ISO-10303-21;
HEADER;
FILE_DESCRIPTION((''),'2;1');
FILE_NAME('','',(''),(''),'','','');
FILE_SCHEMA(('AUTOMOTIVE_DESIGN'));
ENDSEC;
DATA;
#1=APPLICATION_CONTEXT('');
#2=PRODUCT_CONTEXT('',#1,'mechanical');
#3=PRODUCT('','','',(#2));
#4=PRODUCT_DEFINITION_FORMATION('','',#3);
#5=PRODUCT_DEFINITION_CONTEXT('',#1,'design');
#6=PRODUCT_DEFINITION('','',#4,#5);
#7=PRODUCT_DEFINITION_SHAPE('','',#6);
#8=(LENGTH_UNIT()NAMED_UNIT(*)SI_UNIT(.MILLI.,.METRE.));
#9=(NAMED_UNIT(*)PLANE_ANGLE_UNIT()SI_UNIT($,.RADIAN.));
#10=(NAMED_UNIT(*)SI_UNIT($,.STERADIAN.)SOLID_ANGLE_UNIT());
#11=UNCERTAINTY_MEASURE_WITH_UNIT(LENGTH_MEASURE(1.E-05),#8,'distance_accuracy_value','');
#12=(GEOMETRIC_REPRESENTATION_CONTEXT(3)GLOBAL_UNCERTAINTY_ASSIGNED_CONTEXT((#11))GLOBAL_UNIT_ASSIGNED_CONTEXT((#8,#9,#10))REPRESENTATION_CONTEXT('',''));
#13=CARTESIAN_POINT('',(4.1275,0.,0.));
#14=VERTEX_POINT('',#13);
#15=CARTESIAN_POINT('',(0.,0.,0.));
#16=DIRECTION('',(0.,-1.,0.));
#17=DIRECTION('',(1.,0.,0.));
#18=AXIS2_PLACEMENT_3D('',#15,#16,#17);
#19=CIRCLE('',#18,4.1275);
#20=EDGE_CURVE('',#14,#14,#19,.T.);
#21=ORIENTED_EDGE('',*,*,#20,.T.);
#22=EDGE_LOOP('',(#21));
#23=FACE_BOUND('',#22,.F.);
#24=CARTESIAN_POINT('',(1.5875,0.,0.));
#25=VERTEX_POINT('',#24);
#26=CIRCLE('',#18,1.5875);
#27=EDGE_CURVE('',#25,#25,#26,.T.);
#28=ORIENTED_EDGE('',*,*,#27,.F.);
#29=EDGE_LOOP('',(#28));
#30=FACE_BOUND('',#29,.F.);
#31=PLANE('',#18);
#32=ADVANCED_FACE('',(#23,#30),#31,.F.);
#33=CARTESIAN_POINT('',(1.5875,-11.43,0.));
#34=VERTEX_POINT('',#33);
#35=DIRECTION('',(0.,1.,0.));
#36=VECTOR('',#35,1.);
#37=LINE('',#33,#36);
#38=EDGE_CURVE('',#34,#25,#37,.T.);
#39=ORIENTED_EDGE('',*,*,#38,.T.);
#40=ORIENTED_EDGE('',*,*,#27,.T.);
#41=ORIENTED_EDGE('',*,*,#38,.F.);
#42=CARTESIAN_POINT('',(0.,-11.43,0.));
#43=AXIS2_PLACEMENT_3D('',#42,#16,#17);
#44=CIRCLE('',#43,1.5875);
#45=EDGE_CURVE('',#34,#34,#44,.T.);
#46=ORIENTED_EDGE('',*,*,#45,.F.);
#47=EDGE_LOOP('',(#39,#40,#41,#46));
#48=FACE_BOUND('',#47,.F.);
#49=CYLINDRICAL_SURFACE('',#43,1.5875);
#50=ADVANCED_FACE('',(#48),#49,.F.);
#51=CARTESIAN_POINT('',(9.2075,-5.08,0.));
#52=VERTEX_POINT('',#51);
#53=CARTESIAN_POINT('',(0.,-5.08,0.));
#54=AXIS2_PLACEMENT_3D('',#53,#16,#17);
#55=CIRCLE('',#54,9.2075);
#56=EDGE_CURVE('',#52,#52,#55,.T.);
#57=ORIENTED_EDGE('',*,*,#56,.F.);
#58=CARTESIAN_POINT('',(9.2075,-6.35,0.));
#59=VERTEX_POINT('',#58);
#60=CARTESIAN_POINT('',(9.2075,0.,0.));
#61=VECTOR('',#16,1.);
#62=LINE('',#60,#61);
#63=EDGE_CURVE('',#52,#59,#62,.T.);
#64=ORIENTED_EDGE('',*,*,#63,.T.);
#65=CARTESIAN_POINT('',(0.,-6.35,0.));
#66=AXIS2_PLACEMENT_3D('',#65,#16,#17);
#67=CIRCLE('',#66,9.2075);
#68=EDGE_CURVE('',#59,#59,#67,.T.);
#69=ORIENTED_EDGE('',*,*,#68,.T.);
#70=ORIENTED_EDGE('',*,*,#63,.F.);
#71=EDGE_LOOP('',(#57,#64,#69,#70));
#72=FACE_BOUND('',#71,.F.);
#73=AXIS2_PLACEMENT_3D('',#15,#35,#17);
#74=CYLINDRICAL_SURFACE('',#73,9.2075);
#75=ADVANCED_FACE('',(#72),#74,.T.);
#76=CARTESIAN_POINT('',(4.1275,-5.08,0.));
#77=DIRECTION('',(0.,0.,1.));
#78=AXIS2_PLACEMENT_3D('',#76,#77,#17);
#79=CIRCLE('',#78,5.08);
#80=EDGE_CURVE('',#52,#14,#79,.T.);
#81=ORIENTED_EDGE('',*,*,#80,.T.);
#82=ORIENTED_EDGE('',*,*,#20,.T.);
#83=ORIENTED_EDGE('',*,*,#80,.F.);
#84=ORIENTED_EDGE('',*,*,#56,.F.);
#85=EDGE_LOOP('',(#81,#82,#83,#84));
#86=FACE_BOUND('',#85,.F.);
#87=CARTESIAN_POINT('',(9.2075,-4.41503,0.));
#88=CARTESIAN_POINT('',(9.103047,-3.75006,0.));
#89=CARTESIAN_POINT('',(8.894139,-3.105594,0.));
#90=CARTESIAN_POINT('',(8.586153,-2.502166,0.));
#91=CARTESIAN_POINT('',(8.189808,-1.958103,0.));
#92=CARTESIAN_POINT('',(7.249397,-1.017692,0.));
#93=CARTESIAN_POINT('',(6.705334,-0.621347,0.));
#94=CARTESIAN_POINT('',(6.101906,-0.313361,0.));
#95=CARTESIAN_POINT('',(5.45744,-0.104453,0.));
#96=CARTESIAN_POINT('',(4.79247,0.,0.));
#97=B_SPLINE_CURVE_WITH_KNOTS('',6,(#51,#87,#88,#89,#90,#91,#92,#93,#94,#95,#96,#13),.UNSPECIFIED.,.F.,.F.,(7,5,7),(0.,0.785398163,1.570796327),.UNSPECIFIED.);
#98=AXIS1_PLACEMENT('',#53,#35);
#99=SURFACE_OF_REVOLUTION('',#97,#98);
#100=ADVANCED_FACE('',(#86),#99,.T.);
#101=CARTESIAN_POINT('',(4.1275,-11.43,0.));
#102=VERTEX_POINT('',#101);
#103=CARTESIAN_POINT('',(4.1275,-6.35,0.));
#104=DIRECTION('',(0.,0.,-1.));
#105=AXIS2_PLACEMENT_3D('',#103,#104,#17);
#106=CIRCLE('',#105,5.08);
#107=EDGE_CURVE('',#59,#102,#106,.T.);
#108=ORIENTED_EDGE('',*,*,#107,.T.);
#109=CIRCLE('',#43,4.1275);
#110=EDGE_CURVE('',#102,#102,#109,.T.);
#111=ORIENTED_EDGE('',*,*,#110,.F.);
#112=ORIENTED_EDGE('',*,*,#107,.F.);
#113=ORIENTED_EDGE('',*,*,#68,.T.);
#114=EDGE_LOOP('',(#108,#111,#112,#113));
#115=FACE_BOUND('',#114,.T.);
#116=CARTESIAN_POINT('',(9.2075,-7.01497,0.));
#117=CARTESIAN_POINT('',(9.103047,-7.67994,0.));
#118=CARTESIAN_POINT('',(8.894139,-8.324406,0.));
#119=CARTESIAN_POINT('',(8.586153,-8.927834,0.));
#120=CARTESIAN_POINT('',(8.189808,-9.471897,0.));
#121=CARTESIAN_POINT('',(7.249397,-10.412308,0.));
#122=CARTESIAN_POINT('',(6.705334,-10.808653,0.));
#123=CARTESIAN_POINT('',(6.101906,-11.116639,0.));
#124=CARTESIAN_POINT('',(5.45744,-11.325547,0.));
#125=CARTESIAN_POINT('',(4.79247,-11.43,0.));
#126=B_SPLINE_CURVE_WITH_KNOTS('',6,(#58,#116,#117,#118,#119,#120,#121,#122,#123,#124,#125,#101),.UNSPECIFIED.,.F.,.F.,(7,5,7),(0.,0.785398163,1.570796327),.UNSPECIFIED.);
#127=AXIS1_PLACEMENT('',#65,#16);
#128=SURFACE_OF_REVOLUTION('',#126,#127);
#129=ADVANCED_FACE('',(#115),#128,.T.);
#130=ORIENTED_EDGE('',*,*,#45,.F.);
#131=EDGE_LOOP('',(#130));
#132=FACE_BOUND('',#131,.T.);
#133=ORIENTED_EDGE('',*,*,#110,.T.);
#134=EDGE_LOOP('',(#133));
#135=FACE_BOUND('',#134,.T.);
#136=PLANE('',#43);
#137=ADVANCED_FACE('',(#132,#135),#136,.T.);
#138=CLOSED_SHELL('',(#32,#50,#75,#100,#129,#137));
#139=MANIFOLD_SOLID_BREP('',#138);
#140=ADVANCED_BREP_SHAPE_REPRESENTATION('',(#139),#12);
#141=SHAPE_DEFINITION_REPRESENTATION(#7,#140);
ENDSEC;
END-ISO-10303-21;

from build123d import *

# Parameters (mm, degrees)
F0_R     = 9.2075
F1_DEPTH = 11.43
F2_R     = 5.08
F3_R     = 1.5875
F4_DEPTH = 25.4


with BuildPart() as f1:
    # F0 (on Front) → F1 (new body)
    with BuildSketch(Plane.XZ):
        Circle(F0_R)
    extrude(amount=F1_DEPTH)

    # F2
    f2_edges = [f1.edges().sort_by_distance(p)[0] for p in [
        (-9.2075, -11.43, 0),
        (-9.2075, 0, 0),
    ]]
    fillet(f2_edges, radius=F2_R)

    # F3 (on face) → F4 (cut)
    with BuildSketch(Plane.XZ.offset(11.43)):
        Circle(F3_R)
    extrude(amount=-F4_DEPTH, mode=Mode.SUBTRACT)


solid = f1.part
